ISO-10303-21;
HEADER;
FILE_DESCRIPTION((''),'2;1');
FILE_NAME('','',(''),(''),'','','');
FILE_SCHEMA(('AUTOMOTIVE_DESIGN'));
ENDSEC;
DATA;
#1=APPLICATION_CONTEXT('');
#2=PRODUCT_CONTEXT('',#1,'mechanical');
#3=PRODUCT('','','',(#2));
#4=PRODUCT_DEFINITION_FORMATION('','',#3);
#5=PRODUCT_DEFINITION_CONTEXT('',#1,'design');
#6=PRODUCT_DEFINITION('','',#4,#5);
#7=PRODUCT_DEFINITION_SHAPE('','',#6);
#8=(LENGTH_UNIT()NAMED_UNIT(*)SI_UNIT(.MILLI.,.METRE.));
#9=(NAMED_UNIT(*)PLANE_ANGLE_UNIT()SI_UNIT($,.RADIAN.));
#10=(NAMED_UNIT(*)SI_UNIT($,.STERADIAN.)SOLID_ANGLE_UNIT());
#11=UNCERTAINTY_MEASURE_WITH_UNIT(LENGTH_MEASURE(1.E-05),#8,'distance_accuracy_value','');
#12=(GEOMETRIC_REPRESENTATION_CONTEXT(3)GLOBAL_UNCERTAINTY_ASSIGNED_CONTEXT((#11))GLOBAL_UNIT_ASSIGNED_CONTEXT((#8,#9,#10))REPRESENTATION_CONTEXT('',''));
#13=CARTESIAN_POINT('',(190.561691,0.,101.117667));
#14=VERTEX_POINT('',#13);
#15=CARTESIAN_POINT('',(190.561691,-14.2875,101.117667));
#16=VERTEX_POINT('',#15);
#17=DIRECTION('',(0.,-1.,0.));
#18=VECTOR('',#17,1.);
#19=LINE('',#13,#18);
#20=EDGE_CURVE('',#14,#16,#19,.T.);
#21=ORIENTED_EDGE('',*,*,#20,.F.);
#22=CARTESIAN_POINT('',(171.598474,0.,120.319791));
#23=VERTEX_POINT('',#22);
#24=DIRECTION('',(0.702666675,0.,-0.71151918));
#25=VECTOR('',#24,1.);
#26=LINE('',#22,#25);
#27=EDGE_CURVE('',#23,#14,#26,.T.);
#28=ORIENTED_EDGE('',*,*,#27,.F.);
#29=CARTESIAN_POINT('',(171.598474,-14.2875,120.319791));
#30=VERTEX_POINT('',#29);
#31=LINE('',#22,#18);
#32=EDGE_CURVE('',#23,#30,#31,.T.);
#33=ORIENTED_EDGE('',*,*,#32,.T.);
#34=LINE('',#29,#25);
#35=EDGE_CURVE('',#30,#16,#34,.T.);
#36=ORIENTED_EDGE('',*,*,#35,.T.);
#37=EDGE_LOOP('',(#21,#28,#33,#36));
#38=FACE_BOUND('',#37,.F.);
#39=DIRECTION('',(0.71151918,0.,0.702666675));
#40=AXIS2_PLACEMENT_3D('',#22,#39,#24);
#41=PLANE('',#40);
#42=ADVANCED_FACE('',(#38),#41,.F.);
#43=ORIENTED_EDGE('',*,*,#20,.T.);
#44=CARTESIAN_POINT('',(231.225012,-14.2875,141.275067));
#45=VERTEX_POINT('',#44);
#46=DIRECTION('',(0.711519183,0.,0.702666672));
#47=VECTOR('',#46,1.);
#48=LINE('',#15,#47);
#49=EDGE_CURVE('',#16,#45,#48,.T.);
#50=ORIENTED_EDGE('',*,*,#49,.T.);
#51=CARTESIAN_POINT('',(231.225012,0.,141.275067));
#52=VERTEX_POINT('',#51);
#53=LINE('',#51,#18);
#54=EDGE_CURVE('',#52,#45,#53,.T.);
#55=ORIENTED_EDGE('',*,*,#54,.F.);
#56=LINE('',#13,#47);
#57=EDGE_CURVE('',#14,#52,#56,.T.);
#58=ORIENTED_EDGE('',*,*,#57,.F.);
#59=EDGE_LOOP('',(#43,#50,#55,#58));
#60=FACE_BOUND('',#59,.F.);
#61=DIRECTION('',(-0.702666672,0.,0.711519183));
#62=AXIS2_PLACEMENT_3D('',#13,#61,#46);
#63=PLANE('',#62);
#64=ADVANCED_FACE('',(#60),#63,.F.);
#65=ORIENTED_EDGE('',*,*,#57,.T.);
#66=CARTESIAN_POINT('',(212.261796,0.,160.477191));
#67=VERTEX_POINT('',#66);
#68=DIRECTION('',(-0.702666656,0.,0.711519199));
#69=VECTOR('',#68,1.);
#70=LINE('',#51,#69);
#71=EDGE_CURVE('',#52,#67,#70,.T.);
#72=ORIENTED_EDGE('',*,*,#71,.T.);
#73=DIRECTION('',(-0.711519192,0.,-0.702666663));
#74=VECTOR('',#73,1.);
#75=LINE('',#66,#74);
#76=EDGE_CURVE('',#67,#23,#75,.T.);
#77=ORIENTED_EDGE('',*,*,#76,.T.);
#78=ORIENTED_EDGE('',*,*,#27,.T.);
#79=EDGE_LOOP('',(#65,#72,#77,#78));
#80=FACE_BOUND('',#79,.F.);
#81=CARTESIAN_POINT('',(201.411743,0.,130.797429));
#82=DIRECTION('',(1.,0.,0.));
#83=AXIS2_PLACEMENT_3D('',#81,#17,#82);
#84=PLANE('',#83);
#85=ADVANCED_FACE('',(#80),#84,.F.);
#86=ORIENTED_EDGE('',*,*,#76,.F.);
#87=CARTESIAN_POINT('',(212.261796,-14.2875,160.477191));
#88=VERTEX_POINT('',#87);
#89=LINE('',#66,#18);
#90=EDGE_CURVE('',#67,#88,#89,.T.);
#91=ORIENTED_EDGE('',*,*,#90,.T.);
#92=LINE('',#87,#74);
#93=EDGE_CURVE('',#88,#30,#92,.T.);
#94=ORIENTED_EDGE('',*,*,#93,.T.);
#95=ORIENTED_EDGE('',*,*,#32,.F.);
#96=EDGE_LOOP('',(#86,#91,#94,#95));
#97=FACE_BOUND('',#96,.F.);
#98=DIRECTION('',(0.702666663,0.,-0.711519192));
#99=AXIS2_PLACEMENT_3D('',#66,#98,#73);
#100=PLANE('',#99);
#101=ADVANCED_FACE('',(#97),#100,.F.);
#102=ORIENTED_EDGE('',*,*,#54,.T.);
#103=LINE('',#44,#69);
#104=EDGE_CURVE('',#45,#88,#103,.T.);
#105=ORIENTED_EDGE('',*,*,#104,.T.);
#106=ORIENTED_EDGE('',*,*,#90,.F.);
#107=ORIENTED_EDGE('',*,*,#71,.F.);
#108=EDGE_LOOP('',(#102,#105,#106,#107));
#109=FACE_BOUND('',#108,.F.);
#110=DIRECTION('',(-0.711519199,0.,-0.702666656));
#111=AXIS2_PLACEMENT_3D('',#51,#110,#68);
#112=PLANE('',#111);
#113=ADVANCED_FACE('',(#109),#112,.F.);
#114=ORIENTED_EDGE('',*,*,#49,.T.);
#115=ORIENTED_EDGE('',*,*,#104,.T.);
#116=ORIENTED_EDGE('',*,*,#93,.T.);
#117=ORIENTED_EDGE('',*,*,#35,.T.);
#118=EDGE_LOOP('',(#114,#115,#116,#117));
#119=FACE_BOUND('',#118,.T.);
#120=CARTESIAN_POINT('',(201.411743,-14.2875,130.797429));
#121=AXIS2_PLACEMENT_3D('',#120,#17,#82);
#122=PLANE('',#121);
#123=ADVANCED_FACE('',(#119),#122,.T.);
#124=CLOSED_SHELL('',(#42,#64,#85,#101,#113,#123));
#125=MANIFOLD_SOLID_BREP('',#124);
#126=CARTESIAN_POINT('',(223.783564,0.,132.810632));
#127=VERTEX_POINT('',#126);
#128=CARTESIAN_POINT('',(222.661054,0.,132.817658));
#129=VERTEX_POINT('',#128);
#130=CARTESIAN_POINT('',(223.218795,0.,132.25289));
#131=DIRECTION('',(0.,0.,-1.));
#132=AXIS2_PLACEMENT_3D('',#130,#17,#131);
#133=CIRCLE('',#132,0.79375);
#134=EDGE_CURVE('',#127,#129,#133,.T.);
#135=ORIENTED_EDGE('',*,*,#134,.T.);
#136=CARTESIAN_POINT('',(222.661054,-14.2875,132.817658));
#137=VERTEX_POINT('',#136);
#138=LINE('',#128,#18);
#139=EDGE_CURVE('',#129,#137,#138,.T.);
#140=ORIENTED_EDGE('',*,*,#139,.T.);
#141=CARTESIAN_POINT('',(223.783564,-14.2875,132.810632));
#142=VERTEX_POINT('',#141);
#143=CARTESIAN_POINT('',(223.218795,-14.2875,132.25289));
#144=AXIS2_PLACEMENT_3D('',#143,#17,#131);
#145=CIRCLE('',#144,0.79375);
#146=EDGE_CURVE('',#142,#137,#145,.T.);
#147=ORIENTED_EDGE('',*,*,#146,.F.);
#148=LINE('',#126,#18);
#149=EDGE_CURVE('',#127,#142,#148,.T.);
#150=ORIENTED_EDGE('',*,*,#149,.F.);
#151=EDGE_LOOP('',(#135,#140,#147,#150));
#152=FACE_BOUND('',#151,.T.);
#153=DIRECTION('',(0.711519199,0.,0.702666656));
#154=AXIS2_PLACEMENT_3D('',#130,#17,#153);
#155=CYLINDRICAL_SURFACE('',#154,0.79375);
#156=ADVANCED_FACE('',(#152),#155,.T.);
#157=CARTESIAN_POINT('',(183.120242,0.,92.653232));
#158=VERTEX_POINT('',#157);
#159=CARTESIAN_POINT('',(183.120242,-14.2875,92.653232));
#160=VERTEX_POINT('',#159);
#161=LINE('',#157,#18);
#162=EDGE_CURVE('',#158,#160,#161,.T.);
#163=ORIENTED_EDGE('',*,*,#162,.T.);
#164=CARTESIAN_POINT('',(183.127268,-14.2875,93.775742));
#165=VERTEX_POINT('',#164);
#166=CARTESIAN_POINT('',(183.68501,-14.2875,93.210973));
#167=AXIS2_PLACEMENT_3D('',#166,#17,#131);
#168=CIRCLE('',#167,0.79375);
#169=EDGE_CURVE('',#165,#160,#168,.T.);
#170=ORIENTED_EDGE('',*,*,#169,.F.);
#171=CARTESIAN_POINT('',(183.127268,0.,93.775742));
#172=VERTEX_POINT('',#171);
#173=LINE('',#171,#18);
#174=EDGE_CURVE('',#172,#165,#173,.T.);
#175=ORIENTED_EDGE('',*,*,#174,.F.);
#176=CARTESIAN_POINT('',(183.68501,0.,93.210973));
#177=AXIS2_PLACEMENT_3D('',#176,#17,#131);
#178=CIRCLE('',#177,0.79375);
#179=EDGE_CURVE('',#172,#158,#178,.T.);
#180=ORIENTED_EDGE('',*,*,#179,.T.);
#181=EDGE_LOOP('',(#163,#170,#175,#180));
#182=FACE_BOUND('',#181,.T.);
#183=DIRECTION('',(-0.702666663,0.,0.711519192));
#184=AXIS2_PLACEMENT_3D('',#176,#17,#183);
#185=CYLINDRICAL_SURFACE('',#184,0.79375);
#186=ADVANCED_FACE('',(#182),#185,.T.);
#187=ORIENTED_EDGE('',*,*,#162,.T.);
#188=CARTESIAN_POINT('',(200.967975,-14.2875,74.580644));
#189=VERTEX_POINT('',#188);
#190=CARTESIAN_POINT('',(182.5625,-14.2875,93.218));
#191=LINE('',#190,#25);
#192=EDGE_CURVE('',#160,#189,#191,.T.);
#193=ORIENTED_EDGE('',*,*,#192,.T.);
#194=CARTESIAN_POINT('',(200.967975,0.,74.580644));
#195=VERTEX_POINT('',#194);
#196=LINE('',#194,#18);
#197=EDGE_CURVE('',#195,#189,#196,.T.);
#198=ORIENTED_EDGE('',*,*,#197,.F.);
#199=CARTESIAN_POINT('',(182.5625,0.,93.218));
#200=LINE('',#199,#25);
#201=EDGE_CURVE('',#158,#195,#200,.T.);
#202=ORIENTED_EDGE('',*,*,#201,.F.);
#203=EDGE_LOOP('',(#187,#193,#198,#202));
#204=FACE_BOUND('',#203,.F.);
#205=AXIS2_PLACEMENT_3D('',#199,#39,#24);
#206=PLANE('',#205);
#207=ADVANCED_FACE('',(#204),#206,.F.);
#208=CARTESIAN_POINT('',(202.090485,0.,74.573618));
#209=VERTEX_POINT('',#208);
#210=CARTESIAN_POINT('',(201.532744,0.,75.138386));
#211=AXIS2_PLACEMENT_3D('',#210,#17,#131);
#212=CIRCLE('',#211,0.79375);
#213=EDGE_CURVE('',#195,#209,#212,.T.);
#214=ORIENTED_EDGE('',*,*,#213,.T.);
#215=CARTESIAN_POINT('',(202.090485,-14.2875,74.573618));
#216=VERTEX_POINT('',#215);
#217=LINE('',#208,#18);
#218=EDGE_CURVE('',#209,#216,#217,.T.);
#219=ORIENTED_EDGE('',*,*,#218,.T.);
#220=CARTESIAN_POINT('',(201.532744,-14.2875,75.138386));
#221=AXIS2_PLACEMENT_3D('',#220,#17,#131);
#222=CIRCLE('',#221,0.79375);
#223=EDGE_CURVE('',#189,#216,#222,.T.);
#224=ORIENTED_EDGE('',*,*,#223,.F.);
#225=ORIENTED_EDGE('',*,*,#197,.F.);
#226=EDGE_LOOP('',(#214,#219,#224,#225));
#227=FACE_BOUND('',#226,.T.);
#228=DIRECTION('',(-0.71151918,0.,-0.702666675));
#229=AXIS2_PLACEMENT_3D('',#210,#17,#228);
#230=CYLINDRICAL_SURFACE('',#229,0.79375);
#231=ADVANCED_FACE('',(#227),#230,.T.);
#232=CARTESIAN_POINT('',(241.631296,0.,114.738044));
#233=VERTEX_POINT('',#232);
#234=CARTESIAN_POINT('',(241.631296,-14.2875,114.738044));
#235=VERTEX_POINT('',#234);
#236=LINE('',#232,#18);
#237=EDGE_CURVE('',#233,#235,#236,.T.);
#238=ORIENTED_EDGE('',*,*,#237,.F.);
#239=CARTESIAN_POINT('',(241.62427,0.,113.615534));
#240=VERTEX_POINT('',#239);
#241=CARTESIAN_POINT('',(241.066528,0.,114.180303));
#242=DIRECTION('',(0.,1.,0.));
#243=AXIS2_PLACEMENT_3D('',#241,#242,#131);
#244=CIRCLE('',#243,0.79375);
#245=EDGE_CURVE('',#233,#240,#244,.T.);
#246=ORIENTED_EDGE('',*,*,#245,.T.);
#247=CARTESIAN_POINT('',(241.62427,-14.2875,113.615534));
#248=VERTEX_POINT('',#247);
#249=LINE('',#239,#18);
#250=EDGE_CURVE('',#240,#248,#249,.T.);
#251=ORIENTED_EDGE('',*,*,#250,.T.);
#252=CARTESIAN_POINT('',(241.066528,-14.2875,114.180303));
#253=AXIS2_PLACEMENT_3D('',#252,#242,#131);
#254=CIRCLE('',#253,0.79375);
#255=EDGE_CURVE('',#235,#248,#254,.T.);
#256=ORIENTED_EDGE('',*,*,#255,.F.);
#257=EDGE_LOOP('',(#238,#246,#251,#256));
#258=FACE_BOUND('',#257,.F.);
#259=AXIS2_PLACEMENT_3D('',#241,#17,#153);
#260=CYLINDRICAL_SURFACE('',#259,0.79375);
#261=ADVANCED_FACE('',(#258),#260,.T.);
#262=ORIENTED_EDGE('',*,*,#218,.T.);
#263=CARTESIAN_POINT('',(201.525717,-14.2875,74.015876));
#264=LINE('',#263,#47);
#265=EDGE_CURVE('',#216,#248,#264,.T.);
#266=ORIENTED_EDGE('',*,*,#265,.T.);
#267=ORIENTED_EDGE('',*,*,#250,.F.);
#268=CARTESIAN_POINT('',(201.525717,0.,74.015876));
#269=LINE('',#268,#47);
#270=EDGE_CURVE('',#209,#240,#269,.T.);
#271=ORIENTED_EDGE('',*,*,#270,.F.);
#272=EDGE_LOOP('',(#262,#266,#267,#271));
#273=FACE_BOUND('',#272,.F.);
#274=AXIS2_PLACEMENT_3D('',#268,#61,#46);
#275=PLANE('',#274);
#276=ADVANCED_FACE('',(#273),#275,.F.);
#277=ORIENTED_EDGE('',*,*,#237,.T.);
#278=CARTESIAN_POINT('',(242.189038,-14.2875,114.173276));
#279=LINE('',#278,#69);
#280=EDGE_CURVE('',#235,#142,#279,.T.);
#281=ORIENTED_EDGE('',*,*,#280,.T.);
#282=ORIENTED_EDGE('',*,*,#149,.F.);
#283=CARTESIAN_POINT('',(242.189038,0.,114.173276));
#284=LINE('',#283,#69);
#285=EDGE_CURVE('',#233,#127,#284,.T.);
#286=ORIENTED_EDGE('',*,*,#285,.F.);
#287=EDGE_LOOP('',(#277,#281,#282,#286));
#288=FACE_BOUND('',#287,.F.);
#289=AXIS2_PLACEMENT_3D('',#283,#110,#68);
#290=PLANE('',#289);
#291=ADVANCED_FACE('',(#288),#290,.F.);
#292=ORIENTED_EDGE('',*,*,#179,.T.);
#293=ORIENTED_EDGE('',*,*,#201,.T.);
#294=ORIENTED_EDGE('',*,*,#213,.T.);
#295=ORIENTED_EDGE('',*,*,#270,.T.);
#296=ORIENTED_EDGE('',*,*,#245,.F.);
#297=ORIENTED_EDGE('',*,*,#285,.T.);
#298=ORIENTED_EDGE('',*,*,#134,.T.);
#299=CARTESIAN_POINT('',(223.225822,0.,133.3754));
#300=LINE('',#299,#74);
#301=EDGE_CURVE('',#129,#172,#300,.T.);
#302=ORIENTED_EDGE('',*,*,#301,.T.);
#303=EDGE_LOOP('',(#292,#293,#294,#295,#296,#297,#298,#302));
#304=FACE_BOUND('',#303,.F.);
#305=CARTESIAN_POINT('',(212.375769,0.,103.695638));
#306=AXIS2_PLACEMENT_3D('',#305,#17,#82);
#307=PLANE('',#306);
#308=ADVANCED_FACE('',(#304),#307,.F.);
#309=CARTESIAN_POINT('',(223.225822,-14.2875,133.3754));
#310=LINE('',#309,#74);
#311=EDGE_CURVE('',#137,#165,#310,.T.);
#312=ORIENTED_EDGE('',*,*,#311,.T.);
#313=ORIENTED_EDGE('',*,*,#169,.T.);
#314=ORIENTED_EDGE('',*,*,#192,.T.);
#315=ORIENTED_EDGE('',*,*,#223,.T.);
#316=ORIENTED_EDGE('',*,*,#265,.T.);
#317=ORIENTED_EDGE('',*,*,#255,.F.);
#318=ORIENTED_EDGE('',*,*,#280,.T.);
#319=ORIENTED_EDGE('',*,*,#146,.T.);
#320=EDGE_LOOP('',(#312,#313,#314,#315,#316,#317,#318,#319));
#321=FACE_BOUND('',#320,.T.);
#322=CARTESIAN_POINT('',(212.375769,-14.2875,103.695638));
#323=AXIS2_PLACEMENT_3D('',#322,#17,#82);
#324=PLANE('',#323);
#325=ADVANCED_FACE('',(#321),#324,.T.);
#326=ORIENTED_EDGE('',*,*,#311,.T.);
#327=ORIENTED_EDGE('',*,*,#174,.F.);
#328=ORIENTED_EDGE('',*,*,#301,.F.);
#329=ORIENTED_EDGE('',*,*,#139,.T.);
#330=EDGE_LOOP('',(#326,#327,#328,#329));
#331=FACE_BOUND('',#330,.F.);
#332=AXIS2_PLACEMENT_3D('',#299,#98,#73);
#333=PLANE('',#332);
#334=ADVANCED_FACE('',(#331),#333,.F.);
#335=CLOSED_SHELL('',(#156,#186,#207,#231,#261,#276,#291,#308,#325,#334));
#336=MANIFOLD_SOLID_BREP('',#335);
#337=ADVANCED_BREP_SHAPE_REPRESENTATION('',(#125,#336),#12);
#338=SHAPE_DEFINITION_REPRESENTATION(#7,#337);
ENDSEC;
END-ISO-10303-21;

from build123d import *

# Parameters (mm, degrees)
F3_DEPTH = 14.2875
F4_R     = 0.79375
F6_DEPTH = 14.2875


with BuildPart() as f3:
    # F2 (on Front) → F3 (new body)
    with BuildSketch(Plane.XZ):
        Polygon((242.189038, 114.173276), (223.225822, 133.3754), (182.5625, 93.218), (201.525717, 74.015876), align=None)
    extrude(amount=F3_DEPTH)

    # F4
    f4_edges = [f3.edges().sort_by_distance(p)[0] for p in [
        (201.525717, -7.14375, 74.015876),
        (182.5625, -7.14375, 93.218),
        (242.189038, -7.14375, 114.173276),
        (223.225822, -7.14375, 133.3754),
    ]]
    fillet(f4_edges, radius=F4_R)


with BuildPart() as f6:
    # F5 (on Front) → F6 (new body)
    with BuildSketch(Plane.XZ):
        Polygon((231.225012, 141.275067), (212.261796, 160.477191), (171.598474, 120.319791), (190.561691, 101.117667), align=None)
    extrude(amount=F6_DEPTH)


solid = Compound([f3.part, f6.part])
